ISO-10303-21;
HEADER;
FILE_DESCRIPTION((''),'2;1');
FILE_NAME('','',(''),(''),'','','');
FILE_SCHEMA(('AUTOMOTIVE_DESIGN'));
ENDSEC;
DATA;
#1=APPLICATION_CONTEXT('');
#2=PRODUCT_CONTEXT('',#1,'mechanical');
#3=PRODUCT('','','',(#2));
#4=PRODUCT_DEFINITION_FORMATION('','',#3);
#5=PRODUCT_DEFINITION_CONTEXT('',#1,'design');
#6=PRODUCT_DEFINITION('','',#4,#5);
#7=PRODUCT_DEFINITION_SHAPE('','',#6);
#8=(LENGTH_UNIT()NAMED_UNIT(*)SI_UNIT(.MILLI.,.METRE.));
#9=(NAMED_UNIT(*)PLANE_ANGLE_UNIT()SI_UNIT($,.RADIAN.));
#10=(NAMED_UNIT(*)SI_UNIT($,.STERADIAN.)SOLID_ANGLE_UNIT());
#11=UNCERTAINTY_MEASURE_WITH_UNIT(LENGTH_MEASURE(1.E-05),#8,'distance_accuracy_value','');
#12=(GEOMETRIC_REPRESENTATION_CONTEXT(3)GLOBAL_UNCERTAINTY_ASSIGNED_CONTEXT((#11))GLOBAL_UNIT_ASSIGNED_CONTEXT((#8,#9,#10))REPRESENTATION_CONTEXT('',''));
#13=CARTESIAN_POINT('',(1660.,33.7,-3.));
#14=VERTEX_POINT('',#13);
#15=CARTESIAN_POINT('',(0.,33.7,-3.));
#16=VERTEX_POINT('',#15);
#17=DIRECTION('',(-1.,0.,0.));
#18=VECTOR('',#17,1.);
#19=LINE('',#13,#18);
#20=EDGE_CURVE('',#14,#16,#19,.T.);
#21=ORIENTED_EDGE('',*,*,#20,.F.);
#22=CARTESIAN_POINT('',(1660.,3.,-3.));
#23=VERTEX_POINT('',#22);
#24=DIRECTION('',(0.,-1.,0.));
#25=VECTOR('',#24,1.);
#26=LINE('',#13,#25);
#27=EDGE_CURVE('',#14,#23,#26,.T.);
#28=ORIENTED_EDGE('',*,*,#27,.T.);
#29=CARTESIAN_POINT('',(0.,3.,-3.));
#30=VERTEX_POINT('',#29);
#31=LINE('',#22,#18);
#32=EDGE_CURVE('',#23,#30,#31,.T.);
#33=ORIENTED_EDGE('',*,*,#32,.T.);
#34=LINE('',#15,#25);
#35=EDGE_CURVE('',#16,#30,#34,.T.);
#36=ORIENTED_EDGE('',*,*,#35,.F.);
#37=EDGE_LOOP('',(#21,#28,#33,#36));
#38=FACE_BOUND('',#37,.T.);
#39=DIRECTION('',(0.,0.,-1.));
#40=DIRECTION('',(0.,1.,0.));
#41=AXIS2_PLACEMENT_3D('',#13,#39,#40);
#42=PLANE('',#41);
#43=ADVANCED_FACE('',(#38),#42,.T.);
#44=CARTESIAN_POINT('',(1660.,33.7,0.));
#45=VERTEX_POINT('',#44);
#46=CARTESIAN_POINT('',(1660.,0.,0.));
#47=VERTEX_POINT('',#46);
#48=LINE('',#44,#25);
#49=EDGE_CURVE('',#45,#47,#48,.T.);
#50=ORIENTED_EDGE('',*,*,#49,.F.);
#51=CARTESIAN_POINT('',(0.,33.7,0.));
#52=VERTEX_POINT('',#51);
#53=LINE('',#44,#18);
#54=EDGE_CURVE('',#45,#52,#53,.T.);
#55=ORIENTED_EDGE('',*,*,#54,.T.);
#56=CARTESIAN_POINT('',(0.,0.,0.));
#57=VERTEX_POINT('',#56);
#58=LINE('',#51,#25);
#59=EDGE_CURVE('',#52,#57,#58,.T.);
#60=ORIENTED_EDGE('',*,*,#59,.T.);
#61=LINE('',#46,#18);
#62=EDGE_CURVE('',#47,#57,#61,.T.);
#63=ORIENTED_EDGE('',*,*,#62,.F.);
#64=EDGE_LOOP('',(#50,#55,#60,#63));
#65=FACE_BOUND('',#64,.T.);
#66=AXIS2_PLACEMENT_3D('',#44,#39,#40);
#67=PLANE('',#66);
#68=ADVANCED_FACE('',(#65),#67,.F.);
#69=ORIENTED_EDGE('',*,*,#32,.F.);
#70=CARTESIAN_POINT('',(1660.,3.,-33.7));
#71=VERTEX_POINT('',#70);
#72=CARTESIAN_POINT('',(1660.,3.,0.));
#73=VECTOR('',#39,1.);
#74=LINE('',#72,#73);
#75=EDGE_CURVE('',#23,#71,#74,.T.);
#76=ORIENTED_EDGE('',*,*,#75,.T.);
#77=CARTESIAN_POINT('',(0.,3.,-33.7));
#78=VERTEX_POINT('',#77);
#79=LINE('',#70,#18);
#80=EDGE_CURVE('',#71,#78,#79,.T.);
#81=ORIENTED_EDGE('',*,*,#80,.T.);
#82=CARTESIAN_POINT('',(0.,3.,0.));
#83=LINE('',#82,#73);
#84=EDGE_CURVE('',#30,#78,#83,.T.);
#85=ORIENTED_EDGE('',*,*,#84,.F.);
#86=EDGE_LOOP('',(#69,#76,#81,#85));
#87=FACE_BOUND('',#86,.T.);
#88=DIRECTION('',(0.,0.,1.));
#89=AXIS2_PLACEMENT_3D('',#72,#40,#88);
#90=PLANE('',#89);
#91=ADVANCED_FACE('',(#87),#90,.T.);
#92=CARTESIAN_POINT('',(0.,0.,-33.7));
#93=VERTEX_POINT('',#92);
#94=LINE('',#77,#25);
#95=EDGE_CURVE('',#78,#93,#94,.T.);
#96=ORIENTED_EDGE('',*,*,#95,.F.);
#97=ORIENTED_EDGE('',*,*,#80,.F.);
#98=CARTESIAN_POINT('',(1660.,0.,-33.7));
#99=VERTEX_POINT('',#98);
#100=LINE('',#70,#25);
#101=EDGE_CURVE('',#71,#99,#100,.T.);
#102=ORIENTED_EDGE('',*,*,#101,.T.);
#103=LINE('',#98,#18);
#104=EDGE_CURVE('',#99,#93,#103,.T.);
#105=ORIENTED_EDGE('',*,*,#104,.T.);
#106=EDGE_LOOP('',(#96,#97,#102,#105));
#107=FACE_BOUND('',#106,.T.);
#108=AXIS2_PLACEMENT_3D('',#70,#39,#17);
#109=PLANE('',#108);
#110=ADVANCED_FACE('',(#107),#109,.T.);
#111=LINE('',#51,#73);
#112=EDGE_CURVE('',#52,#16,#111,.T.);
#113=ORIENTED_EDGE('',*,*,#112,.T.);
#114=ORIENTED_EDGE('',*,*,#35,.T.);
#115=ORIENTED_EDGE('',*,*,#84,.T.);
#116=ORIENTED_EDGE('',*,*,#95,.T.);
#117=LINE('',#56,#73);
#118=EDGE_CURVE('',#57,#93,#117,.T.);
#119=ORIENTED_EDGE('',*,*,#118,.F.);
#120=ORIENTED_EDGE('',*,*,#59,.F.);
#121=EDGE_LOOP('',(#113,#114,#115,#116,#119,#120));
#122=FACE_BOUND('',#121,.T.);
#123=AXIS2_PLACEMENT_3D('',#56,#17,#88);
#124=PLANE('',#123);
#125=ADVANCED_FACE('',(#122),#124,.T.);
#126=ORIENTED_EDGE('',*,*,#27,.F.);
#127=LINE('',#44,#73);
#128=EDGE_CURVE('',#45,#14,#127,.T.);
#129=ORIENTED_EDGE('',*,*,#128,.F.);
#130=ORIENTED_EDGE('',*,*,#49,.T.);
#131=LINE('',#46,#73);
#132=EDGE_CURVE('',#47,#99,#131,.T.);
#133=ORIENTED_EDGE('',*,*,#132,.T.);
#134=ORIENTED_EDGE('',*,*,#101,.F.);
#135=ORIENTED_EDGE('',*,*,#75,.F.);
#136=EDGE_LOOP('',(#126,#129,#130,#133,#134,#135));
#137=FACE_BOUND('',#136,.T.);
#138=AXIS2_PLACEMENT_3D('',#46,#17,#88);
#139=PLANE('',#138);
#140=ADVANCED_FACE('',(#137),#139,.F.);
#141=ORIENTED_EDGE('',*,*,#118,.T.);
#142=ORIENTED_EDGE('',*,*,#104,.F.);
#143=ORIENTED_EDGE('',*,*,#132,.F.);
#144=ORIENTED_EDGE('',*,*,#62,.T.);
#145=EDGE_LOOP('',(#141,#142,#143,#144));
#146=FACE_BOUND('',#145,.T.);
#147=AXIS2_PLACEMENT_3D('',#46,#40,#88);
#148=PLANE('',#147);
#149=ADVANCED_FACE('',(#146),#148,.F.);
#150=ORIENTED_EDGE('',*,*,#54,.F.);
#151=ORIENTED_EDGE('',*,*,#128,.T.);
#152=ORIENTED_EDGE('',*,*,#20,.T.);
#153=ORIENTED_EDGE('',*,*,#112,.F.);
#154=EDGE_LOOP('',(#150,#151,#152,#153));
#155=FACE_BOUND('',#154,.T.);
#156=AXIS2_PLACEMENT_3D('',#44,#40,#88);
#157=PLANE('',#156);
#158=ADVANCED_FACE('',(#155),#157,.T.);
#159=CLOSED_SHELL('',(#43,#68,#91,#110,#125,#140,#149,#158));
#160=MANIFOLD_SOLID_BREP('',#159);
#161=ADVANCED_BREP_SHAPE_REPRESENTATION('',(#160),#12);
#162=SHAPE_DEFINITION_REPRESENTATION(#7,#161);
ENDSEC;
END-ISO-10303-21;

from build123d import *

# Parameters (mm, degrees)
EXTRUDE_1_DEPTH = 1660


with BuildPart() as part:
    # Эскиз1 → Вытянуть-Тонкостенный1 (new body)
    with BuildSketch(Plane(origin=(0, 0, 0), x_dir=(0, 0, -1), z_dir=(1, 0, 0))):
        Polygon((0, 33.7), (0, 0), (33.7, 0), (33.7, 3), (3, 3), (3, 33.7), align=None)
    extrude(amount=EXTRUDE_1_DEPTH)


solid = part.part
